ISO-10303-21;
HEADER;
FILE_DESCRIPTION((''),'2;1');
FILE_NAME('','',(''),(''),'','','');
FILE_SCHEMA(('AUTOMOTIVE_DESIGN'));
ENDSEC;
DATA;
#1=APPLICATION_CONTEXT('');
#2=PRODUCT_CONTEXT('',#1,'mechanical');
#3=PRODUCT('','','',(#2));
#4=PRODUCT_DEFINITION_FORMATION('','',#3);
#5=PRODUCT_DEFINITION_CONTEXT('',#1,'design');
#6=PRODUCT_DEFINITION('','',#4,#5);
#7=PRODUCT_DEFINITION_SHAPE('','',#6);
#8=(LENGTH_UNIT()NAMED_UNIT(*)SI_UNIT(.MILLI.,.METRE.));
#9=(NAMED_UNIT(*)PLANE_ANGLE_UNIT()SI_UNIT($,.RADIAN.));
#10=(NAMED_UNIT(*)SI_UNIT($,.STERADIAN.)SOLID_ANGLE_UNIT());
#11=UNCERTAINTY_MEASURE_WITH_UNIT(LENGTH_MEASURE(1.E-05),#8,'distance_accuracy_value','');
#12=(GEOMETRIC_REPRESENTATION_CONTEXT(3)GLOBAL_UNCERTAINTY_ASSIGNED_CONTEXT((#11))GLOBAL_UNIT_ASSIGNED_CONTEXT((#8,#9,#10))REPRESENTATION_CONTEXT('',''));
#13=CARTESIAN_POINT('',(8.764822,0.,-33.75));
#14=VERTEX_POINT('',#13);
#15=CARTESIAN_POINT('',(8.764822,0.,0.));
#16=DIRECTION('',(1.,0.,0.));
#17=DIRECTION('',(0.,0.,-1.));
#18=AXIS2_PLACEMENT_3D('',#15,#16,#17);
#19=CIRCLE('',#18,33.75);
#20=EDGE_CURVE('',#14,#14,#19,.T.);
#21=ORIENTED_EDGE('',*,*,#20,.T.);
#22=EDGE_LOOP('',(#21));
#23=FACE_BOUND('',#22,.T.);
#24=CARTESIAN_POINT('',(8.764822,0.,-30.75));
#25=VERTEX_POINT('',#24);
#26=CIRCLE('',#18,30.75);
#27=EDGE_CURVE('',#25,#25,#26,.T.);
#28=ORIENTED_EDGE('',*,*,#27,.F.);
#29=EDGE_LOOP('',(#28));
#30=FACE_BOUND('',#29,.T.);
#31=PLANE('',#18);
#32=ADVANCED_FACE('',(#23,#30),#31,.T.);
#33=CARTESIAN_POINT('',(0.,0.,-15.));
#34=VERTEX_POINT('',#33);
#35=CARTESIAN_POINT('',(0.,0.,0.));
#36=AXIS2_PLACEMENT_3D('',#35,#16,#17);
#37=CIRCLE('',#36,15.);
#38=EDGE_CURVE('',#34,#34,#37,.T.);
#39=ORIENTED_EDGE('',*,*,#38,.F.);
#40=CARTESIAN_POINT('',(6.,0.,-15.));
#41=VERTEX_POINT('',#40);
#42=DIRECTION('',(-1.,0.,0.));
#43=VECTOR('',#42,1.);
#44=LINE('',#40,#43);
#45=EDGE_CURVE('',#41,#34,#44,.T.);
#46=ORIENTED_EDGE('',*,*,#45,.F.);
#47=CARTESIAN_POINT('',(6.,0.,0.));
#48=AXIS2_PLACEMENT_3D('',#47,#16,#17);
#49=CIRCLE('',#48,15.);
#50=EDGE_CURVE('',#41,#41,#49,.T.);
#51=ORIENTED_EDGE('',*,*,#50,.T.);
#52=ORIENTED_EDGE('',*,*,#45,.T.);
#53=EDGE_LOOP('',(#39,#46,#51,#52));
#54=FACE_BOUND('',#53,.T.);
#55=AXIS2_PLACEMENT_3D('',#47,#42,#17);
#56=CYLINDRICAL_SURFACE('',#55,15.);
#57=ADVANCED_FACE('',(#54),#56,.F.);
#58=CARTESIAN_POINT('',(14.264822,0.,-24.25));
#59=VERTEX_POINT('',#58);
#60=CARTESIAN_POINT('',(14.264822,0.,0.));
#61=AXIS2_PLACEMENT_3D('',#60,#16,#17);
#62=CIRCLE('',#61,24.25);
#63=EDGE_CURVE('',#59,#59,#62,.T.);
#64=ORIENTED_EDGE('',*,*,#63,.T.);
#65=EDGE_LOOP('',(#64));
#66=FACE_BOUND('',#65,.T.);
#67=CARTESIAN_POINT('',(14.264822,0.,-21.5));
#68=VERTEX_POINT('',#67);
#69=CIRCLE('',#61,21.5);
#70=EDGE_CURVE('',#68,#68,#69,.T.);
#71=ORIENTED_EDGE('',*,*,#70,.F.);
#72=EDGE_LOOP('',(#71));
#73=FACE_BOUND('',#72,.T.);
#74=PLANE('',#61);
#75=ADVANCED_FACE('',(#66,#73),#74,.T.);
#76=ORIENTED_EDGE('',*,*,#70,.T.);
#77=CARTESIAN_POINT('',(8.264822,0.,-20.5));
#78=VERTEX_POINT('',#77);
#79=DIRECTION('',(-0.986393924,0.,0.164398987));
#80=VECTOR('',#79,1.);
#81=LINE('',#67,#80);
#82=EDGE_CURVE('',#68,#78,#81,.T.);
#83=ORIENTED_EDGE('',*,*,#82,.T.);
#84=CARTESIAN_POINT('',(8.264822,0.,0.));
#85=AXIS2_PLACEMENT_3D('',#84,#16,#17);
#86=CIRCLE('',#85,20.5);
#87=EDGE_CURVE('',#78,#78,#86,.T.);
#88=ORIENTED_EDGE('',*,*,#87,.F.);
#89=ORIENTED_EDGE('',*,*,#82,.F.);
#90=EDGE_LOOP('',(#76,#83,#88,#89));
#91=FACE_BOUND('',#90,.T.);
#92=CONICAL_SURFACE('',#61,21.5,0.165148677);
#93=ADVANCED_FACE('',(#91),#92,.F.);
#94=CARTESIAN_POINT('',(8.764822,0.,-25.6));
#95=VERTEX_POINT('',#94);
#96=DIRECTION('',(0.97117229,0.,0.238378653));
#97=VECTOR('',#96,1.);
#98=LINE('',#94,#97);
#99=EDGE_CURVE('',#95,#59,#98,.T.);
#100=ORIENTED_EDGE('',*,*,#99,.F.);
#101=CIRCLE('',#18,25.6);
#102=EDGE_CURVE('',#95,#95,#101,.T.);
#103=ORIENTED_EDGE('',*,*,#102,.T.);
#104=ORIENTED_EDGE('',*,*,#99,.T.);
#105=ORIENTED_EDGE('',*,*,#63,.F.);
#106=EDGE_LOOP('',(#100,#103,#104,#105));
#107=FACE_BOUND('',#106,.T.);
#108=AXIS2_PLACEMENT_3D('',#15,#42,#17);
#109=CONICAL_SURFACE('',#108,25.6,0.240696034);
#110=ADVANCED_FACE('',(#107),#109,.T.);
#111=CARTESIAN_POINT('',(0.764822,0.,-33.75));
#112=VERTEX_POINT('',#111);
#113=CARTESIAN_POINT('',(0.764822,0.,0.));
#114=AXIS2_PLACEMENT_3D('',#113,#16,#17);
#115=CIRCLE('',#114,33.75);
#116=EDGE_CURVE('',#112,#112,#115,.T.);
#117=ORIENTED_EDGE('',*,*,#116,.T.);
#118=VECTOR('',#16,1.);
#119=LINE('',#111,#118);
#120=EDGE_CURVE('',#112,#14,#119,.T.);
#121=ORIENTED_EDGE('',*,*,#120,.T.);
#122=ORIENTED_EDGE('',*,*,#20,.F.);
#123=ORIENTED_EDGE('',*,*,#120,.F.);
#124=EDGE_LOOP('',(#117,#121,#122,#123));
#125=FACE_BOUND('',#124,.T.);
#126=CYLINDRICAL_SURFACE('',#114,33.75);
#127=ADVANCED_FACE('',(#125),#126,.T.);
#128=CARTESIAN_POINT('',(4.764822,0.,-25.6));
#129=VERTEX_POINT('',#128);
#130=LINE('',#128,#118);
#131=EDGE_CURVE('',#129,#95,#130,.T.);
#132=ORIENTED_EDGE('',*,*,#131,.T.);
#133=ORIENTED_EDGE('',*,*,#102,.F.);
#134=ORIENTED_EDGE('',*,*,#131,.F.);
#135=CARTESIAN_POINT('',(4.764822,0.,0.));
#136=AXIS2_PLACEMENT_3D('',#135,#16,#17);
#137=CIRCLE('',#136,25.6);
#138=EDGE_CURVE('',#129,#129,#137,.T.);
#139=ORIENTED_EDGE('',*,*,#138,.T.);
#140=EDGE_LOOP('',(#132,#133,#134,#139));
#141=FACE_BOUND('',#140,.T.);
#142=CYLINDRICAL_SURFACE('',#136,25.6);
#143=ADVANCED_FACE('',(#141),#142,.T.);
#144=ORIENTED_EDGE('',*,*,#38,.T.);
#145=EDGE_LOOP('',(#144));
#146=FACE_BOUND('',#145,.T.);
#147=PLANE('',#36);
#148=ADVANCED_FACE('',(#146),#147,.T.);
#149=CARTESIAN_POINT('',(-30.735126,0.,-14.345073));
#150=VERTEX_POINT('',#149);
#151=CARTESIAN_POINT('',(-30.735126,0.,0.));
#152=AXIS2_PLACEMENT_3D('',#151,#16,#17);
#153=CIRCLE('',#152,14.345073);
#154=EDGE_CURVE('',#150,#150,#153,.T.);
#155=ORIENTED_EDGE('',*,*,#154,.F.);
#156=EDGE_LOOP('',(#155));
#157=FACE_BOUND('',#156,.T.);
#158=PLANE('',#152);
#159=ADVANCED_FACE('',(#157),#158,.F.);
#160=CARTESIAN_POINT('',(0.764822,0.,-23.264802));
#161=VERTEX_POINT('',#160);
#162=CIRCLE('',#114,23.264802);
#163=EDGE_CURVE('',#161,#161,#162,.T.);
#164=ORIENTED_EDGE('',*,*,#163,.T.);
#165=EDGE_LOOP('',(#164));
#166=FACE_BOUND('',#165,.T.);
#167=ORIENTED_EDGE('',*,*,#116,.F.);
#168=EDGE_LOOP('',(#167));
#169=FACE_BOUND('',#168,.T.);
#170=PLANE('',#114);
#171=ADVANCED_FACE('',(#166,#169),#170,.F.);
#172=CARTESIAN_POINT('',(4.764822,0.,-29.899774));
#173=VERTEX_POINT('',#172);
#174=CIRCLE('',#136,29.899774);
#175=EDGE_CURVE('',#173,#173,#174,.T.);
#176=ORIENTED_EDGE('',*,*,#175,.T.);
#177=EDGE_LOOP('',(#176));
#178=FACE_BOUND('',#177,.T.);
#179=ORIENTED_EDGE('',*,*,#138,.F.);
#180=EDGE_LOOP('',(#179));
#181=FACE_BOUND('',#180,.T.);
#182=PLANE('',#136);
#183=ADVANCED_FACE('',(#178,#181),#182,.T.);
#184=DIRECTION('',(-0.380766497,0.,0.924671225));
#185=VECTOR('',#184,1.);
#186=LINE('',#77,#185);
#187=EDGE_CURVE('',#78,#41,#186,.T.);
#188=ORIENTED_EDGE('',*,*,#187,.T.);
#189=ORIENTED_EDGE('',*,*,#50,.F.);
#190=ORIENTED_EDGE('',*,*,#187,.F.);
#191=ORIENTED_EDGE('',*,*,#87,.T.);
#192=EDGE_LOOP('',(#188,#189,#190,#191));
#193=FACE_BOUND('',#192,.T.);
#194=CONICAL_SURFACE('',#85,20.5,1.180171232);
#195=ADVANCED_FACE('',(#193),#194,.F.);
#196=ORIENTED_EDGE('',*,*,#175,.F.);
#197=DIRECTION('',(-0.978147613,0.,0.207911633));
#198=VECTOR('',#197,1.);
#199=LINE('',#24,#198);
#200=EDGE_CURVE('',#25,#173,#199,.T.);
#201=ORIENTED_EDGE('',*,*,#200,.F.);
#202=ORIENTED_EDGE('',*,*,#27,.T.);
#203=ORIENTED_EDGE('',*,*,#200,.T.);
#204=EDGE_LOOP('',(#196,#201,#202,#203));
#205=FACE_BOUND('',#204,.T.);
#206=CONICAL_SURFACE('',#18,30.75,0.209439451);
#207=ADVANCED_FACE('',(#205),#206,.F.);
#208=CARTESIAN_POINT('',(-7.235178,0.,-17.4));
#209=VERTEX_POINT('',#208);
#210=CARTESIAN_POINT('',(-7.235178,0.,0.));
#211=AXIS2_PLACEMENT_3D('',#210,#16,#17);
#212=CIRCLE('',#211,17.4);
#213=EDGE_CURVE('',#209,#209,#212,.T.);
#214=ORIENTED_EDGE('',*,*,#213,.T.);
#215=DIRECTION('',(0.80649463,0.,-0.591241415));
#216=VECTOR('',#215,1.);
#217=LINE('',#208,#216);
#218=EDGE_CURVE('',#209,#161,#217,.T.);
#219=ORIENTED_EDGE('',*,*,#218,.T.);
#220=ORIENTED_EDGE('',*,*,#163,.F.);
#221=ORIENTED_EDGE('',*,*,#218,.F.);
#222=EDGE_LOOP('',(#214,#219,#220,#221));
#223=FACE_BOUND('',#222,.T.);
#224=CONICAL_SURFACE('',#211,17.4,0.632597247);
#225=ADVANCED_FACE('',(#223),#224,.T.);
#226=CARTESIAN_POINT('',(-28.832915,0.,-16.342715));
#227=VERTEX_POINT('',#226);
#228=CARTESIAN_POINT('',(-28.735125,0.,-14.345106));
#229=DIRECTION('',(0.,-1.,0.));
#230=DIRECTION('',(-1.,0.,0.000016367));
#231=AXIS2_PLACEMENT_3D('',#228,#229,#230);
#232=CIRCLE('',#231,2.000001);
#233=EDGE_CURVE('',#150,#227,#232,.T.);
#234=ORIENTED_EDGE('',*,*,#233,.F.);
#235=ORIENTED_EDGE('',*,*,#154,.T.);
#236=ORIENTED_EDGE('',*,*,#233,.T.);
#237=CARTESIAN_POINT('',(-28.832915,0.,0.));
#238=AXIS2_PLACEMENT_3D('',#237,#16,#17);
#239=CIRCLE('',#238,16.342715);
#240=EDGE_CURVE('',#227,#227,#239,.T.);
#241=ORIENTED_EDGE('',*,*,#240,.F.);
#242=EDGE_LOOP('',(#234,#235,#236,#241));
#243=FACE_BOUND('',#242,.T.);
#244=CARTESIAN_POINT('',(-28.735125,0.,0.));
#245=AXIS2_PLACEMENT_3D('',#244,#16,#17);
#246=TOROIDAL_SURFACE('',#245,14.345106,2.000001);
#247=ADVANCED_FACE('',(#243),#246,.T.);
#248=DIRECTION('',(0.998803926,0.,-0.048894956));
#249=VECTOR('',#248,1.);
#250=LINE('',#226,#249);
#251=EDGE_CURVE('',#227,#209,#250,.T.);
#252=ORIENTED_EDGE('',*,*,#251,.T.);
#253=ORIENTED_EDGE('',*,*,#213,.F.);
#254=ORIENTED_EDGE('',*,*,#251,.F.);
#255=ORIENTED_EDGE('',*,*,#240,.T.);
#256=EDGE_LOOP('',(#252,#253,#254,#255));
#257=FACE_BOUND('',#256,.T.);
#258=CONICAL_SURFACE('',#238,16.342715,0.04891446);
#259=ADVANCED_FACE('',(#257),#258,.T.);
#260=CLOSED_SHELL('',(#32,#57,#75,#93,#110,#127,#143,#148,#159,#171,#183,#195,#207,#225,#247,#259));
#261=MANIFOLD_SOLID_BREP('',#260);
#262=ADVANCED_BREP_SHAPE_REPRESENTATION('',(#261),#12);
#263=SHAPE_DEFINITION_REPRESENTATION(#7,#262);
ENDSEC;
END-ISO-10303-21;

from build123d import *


with BuildPart() as f1:
    # F0 (on Front) → F1 (revolve)
    with BuildSketch(Plane.XZ):
        with BuildLine():
            ThreePointArc((-30.735126, -14.345073), (-30.183512, -15.724301), (-28.832915, -16.342715))
            Line((-28.832915, -16.342715), (-7.235178, -17.4))
            Line((-7.235178, -17.4), (0.764822, -23.264802))
            Line((0.764822, -23.264802), (0.764822, -33.75))
            Line((0.764822, -33.75), (8.764822, -33.75))
            Line((8.764822, -33.75), (8.764822, -30.75))
            Line((8.764822, -30.75), (4.764822, -29.899774))
            Line((4.764822, -29.899774), (4.764822, -25.6))
            Line((4.764822, -25.6), (8.764822, -25.6))
            Line((8.764822, -25.6), (14.264822, -24.25))
            Line((14.264822, -24.25), (14.264822, -21.5))
            Line((14.264822, -21.5), (8.264822, -20.5))
            Line((8.264822, -20.5), (6, -15))
            Line((6, -15), (0, -15))
            Line((0, -15), (0, 0))
            Line((0, 0), (-30.735126, 0))
            Line((-30.735126, 0), (-30.735126, -14.345073))
        make_face()
    revolve(axis=Axis((-8.246858, 0, 0), (1, 0, 0)))


solid = f1.part
